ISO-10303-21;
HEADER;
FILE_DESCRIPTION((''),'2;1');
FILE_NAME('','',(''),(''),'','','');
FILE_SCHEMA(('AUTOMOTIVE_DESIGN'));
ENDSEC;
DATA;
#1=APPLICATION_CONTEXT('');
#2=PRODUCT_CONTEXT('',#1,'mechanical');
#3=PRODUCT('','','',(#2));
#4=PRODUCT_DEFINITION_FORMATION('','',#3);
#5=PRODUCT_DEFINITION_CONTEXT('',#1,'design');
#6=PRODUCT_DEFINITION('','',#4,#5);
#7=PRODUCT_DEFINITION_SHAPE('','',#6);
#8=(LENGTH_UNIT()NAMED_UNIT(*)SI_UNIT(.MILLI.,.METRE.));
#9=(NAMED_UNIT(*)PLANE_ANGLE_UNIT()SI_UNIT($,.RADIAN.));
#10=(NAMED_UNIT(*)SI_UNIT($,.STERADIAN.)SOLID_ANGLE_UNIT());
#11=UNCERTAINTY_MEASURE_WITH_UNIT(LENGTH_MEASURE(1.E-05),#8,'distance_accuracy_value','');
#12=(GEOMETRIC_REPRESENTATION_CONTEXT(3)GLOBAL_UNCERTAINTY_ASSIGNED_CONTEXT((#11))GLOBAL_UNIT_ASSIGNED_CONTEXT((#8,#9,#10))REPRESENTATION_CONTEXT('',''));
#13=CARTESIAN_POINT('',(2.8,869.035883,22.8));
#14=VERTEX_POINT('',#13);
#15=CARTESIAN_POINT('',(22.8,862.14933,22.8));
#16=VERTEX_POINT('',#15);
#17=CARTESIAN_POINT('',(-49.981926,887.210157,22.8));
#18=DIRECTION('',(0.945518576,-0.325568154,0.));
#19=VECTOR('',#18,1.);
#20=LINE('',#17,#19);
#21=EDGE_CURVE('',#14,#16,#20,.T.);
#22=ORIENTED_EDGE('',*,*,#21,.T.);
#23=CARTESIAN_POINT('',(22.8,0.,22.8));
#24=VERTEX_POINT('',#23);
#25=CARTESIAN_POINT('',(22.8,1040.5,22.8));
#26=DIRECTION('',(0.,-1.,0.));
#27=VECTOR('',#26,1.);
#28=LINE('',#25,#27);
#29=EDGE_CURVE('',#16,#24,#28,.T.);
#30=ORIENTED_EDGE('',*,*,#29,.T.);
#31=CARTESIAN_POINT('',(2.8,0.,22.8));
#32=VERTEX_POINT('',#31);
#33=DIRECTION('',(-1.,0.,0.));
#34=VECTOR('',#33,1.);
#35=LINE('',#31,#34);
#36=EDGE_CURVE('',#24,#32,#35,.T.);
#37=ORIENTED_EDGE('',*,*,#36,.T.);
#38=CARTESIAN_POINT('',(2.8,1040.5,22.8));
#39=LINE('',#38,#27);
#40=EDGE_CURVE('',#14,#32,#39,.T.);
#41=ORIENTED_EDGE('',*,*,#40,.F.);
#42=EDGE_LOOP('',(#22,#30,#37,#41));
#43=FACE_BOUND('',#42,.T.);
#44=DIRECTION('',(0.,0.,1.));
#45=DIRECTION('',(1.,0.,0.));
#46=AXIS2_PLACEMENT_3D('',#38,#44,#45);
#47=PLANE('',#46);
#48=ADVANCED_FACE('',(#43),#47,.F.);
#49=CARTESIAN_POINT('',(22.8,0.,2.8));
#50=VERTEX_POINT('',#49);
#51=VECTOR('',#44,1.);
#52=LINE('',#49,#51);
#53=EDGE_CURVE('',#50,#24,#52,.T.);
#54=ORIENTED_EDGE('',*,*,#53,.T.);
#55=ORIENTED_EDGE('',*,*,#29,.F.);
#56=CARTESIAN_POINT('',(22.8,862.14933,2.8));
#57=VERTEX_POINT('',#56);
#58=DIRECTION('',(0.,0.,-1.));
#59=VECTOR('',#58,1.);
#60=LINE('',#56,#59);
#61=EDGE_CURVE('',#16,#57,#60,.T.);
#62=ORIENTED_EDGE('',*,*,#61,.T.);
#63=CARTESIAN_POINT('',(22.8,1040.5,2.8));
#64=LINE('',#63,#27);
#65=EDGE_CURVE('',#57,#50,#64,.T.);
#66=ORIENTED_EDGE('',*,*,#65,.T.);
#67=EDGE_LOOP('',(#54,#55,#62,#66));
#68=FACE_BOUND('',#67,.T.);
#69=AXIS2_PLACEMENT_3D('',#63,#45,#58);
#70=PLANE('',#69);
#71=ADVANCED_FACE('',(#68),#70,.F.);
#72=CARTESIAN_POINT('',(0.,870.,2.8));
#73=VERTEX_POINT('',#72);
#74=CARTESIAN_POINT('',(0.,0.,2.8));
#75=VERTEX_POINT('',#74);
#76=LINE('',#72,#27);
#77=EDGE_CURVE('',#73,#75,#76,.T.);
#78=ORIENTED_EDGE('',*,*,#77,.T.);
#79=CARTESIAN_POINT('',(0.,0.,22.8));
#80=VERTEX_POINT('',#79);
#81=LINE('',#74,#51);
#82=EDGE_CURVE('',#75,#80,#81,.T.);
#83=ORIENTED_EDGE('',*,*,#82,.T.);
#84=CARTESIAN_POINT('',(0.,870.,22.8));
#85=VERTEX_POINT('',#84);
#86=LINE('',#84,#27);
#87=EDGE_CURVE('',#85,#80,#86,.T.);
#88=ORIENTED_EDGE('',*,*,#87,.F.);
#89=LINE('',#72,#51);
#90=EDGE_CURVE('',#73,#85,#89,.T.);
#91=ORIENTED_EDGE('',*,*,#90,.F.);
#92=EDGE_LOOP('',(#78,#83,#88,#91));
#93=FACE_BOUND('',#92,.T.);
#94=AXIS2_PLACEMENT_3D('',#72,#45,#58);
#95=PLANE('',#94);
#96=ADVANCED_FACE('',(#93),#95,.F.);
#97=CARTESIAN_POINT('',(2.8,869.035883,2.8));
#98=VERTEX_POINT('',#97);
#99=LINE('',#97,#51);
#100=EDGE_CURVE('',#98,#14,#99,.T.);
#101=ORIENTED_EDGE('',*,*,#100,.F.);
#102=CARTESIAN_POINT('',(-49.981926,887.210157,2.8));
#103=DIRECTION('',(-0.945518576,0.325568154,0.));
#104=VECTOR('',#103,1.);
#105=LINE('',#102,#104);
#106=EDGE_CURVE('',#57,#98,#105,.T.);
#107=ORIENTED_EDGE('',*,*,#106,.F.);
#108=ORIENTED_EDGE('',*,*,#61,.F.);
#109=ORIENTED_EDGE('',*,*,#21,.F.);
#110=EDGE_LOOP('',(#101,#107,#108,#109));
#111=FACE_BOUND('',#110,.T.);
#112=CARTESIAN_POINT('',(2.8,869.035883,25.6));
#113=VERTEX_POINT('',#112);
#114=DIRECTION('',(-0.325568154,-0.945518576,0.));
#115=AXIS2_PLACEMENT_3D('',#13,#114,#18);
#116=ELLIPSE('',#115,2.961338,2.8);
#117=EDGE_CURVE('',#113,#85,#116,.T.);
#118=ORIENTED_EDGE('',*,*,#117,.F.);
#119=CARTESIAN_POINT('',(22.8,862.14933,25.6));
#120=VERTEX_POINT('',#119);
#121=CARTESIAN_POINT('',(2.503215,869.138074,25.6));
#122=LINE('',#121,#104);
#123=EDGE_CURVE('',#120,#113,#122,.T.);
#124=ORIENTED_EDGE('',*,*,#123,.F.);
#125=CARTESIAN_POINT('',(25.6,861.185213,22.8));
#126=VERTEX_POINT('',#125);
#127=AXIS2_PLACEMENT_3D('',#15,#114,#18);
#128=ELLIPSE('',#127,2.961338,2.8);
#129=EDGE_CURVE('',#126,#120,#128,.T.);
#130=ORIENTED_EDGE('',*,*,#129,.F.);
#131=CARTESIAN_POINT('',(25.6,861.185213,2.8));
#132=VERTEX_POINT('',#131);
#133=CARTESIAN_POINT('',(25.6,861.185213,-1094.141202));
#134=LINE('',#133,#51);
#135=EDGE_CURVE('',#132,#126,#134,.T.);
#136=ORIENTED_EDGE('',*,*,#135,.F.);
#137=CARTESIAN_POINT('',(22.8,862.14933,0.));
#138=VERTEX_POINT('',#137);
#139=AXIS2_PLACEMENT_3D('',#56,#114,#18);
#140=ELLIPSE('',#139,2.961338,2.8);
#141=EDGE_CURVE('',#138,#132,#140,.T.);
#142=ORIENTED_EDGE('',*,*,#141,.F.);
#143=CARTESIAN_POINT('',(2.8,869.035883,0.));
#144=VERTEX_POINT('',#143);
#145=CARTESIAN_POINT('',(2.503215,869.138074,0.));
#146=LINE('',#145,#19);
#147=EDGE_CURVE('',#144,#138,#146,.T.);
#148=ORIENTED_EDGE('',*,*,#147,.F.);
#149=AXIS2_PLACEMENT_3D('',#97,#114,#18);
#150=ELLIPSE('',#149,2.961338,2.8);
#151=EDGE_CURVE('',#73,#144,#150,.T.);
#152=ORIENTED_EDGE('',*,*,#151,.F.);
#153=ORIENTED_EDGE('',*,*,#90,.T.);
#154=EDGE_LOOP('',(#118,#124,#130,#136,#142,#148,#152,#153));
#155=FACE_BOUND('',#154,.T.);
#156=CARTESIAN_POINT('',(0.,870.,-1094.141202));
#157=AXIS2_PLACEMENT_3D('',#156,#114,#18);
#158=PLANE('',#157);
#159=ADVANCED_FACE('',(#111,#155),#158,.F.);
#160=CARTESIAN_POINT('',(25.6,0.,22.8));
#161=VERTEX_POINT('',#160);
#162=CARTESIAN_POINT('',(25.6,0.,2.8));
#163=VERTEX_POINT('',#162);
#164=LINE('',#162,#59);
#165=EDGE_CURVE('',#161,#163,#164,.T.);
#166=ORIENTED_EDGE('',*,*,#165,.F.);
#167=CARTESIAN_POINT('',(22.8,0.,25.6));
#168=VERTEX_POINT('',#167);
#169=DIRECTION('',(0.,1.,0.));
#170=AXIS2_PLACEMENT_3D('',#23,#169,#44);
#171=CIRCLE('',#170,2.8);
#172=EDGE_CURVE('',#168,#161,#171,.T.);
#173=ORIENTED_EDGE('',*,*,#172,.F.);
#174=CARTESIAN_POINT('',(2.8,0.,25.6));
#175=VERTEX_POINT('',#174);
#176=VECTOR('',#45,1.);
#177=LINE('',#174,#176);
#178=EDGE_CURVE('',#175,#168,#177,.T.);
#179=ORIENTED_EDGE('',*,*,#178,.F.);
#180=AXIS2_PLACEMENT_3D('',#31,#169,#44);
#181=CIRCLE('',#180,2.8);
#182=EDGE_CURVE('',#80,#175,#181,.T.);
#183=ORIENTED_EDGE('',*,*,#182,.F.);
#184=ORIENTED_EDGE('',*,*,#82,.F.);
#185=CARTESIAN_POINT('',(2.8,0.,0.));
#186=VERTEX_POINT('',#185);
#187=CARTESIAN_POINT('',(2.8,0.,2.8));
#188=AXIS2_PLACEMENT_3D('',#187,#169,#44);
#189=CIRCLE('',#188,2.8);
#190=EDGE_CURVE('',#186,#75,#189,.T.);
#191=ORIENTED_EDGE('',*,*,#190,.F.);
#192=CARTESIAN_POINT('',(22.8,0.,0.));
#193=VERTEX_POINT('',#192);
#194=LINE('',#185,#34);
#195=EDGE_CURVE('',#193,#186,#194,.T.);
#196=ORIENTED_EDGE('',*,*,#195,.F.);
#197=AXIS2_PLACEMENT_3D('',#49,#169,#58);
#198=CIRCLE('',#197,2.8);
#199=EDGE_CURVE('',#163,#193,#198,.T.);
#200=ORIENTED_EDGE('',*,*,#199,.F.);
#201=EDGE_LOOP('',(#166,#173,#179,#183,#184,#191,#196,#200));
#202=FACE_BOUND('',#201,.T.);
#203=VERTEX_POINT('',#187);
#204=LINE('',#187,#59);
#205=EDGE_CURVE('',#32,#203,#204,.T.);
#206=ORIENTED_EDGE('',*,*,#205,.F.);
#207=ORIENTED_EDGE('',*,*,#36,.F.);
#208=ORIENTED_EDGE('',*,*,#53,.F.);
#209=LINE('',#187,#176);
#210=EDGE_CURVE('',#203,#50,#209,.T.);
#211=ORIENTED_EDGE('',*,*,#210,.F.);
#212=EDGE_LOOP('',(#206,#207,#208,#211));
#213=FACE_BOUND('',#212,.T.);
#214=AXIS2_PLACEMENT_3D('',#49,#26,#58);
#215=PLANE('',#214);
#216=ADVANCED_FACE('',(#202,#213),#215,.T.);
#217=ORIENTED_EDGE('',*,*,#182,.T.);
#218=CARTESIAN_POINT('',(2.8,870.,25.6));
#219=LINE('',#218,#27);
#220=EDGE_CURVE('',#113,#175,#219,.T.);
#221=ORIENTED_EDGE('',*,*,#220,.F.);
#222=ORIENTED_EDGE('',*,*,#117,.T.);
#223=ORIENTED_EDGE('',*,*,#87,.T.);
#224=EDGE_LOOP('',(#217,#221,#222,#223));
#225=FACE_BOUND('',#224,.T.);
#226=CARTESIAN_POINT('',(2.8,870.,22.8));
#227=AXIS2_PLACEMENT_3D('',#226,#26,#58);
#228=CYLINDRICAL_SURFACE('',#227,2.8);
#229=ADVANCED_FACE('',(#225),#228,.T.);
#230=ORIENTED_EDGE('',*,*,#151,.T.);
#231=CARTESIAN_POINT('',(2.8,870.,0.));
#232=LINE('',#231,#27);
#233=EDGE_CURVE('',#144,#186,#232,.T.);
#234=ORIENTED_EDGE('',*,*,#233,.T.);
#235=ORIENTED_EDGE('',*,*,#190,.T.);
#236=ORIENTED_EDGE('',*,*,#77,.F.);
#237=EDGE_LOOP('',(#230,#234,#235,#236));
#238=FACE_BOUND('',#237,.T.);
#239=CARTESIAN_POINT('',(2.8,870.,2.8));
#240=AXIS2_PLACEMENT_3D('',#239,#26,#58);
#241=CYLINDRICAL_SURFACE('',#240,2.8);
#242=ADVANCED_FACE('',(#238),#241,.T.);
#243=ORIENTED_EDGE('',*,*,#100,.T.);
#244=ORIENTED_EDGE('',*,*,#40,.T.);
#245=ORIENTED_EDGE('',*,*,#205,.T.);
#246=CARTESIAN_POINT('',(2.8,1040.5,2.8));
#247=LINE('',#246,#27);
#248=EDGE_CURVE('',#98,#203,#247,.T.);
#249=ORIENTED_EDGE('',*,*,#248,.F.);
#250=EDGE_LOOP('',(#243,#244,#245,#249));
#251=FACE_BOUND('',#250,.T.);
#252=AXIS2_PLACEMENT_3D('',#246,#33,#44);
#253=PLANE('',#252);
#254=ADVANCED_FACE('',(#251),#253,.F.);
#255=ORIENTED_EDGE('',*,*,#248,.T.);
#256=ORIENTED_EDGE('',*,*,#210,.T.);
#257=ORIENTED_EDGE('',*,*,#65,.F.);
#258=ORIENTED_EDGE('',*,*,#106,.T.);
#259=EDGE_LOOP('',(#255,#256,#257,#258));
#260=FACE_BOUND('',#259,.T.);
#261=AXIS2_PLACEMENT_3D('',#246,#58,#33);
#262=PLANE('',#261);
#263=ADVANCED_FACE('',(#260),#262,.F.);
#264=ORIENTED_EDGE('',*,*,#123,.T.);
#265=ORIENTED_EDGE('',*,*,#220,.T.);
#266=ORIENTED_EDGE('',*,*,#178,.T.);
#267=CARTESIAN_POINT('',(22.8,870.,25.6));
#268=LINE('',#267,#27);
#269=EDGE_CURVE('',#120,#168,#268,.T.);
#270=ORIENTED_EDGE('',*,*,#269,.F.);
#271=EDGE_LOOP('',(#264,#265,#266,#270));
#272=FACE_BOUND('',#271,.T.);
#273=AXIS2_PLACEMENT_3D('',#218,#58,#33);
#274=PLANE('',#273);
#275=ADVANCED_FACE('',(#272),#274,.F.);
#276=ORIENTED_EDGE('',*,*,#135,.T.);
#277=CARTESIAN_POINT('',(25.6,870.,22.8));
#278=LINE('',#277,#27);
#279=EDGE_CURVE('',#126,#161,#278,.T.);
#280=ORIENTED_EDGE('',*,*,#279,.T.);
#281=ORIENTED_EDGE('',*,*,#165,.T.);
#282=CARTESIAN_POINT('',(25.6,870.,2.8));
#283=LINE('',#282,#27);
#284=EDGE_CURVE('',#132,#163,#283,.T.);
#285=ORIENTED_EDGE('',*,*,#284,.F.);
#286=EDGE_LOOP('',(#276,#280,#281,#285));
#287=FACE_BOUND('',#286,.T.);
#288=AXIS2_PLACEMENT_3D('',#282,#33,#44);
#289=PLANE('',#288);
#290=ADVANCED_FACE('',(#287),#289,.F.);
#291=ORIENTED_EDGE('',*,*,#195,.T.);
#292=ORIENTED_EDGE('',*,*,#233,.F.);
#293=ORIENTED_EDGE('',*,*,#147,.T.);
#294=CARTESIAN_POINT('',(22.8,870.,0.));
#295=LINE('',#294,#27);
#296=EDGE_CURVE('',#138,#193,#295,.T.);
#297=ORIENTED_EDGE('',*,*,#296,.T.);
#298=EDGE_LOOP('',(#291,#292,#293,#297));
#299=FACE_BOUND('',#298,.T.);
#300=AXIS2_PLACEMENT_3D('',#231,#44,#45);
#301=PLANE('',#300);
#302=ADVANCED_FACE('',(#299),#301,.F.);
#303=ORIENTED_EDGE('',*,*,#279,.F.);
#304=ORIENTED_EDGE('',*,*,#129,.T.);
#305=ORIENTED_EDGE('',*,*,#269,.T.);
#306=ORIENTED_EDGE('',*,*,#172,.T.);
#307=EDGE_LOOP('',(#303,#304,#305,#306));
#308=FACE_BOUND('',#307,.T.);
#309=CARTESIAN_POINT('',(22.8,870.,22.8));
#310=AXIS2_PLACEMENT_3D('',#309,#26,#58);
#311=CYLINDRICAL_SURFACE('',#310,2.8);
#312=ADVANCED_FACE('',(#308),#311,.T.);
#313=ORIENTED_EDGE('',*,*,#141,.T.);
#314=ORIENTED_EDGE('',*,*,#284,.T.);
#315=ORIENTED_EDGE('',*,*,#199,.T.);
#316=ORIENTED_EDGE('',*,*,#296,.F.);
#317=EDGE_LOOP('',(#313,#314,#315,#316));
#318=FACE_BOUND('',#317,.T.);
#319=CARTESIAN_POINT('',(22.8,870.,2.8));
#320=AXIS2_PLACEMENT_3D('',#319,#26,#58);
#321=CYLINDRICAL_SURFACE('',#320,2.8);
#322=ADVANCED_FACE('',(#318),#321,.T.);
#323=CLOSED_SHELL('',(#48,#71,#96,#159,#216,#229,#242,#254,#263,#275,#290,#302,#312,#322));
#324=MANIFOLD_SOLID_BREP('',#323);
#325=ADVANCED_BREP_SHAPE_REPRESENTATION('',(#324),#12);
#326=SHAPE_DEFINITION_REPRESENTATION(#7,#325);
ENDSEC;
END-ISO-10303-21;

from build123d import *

# Parameters (mm, degrees)
BOSS_EXTRUDE1_DEPTH     = 870
SKETCH3_W               = 20
SKETCH3_H               = 20
CUT_EXTRUDE1_DEPTH      = 1040.5
CUT_EXTRUDE6_DEPTH      = 871.675140337
CUT_EXTRUDE6_DEPTH_BACK = 871.675140337


with BuildPart() as part:
    # Sketch1 → Boss-Extrude1 (new body)
    with BuildSketch(Plane(origin=(0, 0, 0), x_dir=(1, 0, 0), z_dir=(0, 1, 0))):
        with BuildLine():
            Line((2.8, 0), (22.8, 0))
            ThreePointArc((22.8, 0), (24.779898987, -0.820101013), (25.6, -2.8))
            Line((25.6, -2.8), (25.6, -22.8))
            ThreePointArc((25.6, -22.8), (24.779898987, -24.779898987), (22.8, -25.6))
            Line((22.8, -25.6), (2.8, -25.6))
            ThreePointArc((2.8, -25.6), (0.820101013, -24.779898987), (0, -22.8))
            Line((0, -22.8), (0, -2.8))
            ThreePointArc((0, -2.8), (0.820101013, -0.820101013), (2.8, 0))
        make_face()
    extrude(amount=BOSS_EXTRUDE1_DEPTH)

    # Sketch3 → Cut-Extrude1 (cut)
    with BuildSketch(Plane(origin=(0, 0, 0), x_dir=(-1, 0, 0), z_dir=(0, -1, 0))):
        with Locations((-12.8, -12.8)):
            Rectangle(SKETCH3_W, SKETCH3_H)
    extrude(amount=-CUT_EXTRUDE1_DEPTH, mode=Mode.SUBTRACT)

    # Sketch4 → Cut-Extrude6 (cut, two sides: drawn at the far end of the back side and taken through both)
    with BuildSketch(Plane(origin=(0, 0, 22.8), x_dir=(-1, 0, 0), z_dir=(0, 0, -1)).offset(-CUT_EXTRUDE6_DEPTH_BACK)):
        Polygon((1655.369600379, 1439.989463611), (0, 870), (-25.6, 861.1852131), (-1680.969600379, 291.195749489), (-2820.948527601, 3601.934950248), (515.390673158, 4750.728664369), align=None)
    extrude(amount=CUT_EXTRUDE6_DEPTH + CUT_EXTRUDE6_DEPTH_BACK, mode=Mode.SUBTRACT)


solid = part.part
